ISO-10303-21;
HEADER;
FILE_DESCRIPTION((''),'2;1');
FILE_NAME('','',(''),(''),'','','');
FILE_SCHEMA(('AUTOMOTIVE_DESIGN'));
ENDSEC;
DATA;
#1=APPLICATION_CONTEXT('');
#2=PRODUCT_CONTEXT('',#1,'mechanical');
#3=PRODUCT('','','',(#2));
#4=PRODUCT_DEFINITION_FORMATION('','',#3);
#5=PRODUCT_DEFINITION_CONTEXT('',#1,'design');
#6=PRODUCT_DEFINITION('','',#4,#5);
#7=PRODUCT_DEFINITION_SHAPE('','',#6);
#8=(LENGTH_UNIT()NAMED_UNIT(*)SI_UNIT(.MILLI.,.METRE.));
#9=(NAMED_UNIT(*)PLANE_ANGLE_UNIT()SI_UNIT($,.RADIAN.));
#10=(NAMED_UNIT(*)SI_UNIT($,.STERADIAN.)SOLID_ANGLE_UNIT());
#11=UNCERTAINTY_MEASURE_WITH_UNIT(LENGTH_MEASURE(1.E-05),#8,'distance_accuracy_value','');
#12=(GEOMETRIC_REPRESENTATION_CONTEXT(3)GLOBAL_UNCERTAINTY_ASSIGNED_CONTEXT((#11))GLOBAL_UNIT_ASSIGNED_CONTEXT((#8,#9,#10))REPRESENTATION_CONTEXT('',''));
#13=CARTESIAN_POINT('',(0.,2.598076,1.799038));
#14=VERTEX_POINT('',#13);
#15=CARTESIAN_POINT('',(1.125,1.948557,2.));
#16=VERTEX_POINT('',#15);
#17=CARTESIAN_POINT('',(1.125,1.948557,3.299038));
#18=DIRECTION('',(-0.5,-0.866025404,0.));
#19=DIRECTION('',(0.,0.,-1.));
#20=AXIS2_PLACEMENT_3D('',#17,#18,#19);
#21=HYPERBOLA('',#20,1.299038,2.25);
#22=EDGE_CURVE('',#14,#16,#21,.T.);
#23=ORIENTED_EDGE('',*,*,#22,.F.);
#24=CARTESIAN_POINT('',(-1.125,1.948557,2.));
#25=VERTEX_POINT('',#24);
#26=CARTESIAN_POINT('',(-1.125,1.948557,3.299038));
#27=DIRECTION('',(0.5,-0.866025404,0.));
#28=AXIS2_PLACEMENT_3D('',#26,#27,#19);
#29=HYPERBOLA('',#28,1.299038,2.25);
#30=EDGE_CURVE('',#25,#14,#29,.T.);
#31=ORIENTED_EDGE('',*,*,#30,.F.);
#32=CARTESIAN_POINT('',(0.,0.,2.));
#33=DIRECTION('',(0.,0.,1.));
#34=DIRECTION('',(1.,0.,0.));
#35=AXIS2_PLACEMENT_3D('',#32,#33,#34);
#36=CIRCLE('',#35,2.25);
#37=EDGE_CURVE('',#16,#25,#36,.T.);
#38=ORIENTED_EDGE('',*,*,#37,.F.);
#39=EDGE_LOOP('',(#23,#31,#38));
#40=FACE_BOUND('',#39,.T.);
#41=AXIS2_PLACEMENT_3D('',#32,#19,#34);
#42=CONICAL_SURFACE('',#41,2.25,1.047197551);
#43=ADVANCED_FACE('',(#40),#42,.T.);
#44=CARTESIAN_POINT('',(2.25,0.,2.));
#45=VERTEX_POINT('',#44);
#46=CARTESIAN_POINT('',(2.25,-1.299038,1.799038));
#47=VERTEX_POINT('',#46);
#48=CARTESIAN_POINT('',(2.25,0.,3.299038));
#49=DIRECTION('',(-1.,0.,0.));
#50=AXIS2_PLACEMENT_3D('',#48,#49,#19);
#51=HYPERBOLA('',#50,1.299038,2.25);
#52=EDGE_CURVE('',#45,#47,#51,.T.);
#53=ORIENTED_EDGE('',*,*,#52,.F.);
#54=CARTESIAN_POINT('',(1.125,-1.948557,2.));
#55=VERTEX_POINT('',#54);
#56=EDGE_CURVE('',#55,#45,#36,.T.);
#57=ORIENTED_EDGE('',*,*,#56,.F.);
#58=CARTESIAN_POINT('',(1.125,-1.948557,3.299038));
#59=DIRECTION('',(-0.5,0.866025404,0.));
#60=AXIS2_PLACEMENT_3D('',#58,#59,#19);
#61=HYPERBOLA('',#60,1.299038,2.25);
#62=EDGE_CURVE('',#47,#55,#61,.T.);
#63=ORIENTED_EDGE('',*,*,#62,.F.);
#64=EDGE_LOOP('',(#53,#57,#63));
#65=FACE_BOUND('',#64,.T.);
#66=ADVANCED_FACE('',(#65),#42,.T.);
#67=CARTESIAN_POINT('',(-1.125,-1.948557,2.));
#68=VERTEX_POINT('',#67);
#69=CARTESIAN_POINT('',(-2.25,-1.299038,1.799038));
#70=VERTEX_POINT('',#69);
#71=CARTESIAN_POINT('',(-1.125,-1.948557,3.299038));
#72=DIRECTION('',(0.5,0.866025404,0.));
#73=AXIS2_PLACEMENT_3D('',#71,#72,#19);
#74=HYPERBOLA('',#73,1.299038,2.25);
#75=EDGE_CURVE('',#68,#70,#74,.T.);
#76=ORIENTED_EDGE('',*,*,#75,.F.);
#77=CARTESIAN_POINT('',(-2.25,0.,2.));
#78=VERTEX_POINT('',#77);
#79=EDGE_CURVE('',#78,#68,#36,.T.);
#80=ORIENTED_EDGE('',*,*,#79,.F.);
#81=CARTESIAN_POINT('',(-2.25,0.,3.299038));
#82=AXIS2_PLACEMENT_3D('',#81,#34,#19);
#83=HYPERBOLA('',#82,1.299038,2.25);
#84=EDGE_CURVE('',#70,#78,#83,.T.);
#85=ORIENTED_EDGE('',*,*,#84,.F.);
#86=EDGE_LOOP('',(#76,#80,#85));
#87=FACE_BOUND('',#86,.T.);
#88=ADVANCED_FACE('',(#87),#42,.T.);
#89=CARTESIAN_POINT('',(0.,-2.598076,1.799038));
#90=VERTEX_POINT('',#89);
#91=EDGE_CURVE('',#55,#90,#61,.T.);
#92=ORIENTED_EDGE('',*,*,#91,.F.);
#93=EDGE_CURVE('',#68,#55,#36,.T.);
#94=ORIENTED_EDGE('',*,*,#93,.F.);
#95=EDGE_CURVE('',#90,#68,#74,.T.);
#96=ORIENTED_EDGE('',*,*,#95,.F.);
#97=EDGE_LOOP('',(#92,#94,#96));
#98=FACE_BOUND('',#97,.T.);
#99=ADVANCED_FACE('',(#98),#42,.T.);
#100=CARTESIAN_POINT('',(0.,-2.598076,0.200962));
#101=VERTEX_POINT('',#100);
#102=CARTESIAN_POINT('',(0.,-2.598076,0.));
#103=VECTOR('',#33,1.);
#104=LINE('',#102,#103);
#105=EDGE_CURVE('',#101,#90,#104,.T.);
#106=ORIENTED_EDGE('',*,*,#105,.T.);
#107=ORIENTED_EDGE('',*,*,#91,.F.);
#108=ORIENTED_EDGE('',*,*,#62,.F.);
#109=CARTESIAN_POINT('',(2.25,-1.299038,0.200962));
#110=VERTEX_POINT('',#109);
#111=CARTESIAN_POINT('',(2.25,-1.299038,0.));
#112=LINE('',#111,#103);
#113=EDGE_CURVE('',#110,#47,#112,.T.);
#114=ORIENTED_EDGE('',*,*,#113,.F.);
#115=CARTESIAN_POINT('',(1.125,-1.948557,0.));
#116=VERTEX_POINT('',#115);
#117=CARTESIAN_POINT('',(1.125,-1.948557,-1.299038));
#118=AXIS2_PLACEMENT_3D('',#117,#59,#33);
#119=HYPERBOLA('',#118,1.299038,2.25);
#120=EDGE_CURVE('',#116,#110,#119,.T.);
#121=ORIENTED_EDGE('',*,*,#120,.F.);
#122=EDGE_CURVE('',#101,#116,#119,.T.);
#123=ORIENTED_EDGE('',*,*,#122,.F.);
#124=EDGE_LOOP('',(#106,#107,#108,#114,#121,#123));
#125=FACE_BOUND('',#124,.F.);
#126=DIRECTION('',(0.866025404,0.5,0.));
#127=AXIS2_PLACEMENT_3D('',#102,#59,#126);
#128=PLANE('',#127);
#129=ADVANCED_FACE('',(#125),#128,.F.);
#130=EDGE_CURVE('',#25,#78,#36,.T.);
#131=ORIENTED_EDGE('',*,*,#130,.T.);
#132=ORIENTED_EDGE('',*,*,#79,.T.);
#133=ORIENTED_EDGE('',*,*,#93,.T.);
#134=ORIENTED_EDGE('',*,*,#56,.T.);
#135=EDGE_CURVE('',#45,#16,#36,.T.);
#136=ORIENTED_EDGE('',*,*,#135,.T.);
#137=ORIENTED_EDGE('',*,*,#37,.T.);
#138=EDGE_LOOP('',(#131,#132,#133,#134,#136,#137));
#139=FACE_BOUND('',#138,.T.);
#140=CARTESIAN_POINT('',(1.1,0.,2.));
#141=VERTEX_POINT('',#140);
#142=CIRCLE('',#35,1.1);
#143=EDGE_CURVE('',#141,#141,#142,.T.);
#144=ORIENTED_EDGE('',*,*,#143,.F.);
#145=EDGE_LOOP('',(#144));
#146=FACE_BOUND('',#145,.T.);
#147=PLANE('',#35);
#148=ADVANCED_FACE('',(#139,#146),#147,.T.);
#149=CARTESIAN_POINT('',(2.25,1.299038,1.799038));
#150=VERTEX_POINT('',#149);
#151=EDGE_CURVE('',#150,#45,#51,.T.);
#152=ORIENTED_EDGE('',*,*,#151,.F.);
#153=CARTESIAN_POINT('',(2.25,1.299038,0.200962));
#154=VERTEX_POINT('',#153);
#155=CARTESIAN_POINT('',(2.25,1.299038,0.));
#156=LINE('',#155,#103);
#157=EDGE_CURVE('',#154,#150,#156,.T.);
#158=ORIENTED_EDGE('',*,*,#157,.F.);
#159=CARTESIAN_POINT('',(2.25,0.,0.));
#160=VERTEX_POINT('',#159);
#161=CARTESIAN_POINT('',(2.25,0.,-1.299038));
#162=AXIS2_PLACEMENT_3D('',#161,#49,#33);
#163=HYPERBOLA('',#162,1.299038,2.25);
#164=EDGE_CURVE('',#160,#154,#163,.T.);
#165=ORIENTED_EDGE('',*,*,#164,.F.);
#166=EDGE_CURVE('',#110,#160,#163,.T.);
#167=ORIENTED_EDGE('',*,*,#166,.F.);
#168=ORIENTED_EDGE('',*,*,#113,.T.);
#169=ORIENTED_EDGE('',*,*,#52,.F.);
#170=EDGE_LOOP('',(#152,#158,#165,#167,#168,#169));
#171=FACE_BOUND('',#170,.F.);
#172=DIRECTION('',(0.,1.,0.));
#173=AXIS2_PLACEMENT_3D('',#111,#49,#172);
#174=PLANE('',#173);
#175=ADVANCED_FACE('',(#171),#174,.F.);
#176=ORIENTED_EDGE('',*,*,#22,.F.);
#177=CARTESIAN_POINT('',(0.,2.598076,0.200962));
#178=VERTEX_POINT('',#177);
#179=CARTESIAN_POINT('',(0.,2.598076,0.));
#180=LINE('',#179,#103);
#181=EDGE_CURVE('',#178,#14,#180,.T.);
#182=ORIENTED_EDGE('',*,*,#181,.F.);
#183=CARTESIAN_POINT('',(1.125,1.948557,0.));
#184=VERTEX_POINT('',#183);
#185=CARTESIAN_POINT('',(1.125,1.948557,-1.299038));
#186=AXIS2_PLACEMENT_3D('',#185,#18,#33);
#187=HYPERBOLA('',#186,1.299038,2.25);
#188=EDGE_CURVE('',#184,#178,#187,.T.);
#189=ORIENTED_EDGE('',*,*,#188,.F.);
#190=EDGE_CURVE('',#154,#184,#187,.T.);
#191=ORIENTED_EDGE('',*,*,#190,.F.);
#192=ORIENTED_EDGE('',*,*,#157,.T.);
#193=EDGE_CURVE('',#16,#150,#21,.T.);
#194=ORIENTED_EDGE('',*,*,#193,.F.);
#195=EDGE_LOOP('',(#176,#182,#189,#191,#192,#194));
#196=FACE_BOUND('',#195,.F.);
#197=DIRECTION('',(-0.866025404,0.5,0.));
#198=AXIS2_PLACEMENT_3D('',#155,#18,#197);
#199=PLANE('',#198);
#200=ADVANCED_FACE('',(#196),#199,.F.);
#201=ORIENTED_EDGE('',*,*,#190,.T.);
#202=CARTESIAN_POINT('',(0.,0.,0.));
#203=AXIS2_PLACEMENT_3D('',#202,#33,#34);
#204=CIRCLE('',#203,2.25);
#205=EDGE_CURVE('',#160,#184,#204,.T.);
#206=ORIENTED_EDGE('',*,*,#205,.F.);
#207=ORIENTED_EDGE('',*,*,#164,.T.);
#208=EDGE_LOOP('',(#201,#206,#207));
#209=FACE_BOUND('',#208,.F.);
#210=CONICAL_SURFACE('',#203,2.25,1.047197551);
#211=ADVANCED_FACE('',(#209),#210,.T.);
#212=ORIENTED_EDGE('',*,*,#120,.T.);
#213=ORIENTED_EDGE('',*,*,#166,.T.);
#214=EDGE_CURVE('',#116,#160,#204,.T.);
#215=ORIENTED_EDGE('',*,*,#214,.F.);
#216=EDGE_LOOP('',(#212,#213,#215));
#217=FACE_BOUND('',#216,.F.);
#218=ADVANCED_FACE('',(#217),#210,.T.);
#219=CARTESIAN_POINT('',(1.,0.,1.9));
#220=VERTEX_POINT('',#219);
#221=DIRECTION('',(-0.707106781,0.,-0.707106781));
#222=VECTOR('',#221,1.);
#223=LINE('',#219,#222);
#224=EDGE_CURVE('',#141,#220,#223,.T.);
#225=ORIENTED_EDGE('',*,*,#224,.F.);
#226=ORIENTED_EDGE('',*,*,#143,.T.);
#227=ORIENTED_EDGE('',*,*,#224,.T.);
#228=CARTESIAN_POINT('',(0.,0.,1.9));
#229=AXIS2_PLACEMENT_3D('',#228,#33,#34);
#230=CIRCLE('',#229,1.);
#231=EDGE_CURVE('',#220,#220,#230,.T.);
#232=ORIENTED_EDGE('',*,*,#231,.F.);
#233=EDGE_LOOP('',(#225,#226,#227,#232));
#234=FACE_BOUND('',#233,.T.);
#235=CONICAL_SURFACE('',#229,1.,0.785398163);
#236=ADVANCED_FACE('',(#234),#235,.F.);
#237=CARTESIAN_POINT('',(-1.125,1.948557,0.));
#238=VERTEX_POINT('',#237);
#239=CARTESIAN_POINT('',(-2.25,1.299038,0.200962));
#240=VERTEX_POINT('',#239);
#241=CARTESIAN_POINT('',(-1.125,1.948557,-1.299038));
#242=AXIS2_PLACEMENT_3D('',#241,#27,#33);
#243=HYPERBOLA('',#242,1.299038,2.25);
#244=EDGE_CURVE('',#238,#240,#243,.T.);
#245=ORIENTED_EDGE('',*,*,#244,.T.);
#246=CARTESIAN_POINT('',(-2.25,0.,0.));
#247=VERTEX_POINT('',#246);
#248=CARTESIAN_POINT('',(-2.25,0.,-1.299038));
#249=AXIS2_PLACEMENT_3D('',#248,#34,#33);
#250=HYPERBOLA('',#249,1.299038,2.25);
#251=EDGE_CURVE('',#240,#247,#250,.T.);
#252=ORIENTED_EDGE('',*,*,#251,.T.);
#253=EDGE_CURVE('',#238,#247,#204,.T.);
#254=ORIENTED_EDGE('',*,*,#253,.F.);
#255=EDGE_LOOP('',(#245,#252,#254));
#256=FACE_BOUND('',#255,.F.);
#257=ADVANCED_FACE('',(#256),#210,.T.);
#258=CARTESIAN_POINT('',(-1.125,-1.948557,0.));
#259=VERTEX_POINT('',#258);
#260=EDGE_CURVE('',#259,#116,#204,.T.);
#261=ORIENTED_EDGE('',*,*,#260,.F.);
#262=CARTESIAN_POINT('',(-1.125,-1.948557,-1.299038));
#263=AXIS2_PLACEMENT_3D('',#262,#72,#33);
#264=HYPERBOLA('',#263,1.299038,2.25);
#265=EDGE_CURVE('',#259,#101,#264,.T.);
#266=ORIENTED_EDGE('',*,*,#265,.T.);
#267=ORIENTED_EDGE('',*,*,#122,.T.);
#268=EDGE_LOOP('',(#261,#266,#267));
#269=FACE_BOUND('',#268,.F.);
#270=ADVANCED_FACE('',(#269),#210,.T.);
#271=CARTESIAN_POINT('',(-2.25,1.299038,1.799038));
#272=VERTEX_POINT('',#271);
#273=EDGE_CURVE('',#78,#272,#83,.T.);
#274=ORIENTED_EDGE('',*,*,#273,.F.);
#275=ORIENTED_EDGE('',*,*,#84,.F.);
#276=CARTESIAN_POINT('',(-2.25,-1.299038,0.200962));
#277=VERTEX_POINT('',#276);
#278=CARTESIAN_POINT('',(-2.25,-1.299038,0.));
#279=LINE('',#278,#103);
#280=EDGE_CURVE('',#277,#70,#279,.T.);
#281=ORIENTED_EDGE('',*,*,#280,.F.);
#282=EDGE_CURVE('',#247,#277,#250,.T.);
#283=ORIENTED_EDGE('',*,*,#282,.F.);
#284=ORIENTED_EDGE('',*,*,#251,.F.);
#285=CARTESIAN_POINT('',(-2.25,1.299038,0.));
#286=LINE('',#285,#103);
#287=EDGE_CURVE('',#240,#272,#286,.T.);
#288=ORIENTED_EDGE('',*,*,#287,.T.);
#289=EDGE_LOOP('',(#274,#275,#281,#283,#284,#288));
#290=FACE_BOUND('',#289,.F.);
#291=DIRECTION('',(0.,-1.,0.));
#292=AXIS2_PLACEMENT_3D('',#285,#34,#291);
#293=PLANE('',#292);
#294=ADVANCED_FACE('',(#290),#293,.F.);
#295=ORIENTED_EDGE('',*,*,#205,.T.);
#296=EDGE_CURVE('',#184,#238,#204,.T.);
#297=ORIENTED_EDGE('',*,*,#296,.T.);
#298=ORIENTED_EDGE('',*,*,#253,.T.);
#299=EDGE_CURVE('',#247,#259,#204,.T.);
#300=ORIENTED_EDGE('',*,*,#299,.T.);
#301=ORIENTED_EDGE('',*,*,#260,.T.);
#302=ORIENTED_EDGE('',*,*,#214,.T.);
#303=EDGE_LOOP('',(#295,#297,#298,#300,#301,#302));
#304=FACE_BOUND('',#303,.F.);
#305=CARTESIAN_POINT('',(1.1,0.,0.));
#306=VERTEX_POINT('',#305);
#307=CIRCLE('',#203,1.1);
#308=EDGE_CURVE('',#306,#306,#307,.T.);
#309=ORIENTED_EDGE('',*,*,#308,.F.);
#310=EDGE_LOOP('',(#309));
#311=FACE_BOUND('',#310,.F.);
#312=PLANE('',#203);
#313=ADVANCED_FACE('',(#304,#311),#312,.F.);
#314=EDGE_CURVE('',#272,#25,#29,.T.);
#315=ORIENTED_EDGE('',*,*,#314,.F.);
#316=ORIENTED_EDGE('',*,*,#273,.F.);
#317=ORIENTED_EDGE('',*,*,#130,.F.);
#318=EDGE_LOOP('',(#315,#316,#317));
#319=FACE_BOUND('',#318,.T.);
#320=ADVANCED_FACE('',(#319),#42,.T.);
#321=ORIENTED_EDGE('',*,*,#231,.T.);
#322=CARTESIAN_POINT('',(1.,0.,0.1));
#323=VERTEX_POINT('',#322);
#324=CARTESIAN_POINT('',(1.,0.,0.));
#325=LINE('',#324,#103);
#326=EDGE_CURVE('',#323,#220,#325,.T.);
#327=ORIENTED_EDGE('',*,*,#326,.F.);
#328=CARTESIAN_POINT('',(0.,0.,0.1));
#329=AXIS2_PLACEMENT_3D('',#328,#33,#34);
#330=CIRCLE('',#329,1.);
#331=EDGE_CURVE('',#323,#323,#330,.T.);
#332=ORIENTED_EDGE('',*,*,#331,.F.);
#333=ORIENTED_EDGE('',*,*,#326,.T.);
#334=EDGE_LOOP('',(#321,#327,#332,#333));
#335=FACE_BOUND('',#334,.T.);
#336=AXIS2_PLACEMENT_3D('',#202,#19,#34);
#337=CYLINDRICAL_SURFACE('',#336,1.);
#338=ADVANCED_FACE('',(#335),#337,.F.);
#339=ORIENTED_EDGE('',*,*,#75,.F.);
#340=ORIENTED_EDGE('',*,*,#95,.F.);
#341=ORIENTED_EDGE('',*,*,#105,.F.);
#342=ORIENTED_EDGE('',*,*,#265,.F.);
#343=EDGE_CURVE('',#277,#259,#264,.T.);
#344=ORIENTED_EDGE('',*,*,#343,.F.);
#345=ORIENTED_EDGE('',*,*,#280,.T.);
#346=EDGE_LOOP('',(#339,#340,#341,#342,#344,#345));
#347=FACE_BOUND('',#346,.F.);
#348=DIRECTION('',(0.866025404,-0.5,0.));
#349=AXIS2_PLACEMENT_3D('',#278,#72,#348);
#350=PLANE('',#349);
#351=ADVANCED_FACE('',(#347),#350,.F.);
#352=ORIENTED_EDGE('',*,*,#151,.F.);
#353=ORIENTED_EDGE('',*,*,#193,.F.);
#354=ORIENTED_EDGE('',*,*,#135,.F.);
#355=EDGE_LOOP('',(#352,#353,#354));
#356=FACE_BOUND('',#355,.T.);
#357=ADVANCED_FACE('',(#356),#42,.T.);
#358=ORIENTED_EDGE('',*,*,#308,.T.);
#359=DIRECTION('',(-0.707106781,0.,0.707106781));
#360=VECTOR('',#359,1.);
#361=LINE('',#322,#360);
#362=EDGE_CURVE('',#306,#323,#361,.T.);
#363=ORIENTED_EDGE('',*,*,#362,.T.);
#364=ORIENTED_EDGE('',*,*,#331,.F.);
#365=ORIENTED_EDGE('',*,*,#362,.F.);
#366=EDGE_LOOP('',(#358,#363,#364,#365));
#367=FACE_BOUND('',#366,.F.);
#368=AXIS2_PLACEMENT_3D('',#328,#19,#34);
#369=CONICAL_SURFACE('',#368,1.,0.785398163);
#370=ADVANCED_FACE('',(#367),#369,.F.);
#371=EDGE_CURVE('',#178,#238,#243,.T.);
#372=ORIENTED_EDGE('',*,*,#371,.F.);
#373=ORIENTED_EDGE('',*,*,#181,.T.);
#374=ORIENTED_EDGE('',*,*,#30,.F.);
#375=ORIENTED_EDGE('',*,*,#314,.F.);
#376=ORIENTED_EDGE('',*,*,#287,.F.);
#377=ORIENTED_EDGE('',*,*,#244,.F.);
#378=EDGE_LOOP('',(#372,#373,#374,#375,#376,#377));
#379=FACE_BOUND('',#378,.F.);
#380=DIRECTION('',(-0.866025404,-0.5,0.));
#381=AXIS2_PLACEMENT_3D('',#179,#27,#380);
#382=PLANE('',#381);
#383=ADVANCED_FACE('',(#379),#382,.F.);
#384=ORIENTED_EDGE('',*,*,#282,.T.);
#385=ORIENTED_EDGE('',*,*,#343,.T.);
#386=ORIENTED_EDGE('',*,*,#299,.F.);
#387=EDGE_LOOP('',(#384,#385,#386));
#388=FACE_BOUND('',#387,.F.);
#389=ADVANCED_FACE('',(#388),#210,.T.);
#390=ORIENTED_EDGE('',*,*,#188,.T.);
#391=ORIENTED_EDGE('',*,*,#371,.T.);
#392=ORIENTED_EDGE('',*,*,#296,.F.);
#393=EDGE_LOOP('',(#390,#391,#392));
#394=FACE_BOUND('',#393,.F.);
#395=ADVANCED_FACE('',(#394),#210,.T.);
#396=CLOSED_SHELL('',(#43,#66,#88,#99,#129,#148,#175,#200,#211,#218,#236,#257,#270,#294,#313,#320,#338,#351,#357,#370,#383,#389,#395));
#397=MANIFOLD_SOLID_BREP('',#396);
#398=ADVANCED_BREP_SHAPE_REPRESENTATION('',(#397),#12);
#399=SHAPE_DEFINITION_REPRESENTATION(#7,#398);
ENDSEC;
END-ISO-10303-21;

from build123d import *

# Parameters (mm, degrees)
CROQUIS1_R              = 1
SALIENTE_EXTRUIR1_DEPTH = 2
CROQUIS3_OUTSIDE_W      = 14.86
CROQUIS3_OUTSIDE_H      = 15.556
CROQUIS3_OUTSIDE_R      = 2.25
CORTAR_EXTRUIR1_DEPTH   = 2
CORTAR_EXTRUIR1_DRAFT   = 60
CROQUIS4_OUTSIDE_W      = 14.86
CROQUIS4_OUTSIDE_H      = 15.556
CROQUIS4_OUTSIDE_R      = 2.25
CORTAR_EXTRUIR4_DEPTH   = 2
CORTAR_EXTRUIR4_DRAFT   = -60
CHAFL_N1_SIZE           = 0.1


with BuildPart() as part:
    # Croquis1 → Saliente-Extruir1 (new body)
    with BuildSketch(Plane.XY):
        Polygon((0, -2.598076211), (2.25, -1.299038106), (2.25, 1.299038106), (0, 2.598076211), (-2.25, 1.299038106), (-2.25, -1.299038106), align=None)
        Circle(CROQUIS1_R, mode=Mode.SUBTRACT)
    extrude(amount=SALIENTE_EXTRUIR1_DEPTH)


with BuildPart() as cortar_extruir1_tool:
    # Croquis3 outside → Cortar-Extruir1 (with draft: the straight prism first)
    with BuildSketch(Plane.XY):
        Rectangle(CROQUIS3_OUTSIDE_W, CROQUIS3_OUTSIDE_H)
        Circle(CROQUIS3_OUTSIDE_R, mode=Mode.SUBTRACT)
    extrude(amount=CORTAR_EXTRUIR1_DEPTH)
    # Cortar-Extruir1: the draft: its side faces are tilted about the plane it starts from
    cortar_extruir1_sides = [cortar_extruir1_tool.faces().sort_by_distance(p)[0] for p in [
        (0, -7.778, 1),
        (7.43, 0, 1),
        (0, 7.778, 1),
        (-7.43, 0, 1),
        (-2.25, 0, 1),
    ]]
    draft(cortar_extruir1_sides, Plane.XY, CORTAR_EXTRUIR1_DRAFT)


with BuildPart() as part_1:
    add(part.part)

    # Cortar-Extruir1: cut by cortar_extruir1_tool
    add(cortar_extruir1_tool.part, mode=Mode.SUBTRACT)


with BuildPart() as cortar_extruir4_tool:
    # Croquis4 outside → Cortar-Extruir4 (with draft: the straight prism first)
    with BuildSketch(Plane.XY.offset(2)):
        Rectangle(CROQUIS4_OUTSIDE_W, CROQUIS4_OUTSIDE_H)
        Circle(CROQUIS4_OUTSIDE_R, mode=Mode.SUBTRACT)
    extrude(amount=-CORTAR_EXTRUIR4_DEPTH)
    # Cortar-Extruir4: the draft: its side faces are tilted about the plane it starts from
    cortar_extruir4_sides = [cortar_extruir4_tool.faces().sort_by_distance(p)[0] for p in [
        (0, -7.778, 1),
        (7.43, 0, 1),
        (0, 7.778, 1),
        (-7.43, 0, 1),
        (-2.25, 0, 1),
    ]]
    draft(cortar_extruir4_sides, Plane.XY.offset(2), CORTAR_EXTRUIR4_DRAFT)


with BuildPart() as part_2:
    add(part_1.part)

    # Cortar-Extruir4: cut by cortar_extruir4_tool
    add(cortar_extruir4_tool.part, mode=Mode.SUBTRACT)

    # Chaflán1
    chafl_n1_edges = [part_2.edges().sort_by_distance(p)[0] for p in [
        (-1, 0, 0),
        (-1, 0, 2),
    ]]
    chamfer(chafl_n1_edges, length=CHAFL_N1_SIZE)


solid = part_2.part
